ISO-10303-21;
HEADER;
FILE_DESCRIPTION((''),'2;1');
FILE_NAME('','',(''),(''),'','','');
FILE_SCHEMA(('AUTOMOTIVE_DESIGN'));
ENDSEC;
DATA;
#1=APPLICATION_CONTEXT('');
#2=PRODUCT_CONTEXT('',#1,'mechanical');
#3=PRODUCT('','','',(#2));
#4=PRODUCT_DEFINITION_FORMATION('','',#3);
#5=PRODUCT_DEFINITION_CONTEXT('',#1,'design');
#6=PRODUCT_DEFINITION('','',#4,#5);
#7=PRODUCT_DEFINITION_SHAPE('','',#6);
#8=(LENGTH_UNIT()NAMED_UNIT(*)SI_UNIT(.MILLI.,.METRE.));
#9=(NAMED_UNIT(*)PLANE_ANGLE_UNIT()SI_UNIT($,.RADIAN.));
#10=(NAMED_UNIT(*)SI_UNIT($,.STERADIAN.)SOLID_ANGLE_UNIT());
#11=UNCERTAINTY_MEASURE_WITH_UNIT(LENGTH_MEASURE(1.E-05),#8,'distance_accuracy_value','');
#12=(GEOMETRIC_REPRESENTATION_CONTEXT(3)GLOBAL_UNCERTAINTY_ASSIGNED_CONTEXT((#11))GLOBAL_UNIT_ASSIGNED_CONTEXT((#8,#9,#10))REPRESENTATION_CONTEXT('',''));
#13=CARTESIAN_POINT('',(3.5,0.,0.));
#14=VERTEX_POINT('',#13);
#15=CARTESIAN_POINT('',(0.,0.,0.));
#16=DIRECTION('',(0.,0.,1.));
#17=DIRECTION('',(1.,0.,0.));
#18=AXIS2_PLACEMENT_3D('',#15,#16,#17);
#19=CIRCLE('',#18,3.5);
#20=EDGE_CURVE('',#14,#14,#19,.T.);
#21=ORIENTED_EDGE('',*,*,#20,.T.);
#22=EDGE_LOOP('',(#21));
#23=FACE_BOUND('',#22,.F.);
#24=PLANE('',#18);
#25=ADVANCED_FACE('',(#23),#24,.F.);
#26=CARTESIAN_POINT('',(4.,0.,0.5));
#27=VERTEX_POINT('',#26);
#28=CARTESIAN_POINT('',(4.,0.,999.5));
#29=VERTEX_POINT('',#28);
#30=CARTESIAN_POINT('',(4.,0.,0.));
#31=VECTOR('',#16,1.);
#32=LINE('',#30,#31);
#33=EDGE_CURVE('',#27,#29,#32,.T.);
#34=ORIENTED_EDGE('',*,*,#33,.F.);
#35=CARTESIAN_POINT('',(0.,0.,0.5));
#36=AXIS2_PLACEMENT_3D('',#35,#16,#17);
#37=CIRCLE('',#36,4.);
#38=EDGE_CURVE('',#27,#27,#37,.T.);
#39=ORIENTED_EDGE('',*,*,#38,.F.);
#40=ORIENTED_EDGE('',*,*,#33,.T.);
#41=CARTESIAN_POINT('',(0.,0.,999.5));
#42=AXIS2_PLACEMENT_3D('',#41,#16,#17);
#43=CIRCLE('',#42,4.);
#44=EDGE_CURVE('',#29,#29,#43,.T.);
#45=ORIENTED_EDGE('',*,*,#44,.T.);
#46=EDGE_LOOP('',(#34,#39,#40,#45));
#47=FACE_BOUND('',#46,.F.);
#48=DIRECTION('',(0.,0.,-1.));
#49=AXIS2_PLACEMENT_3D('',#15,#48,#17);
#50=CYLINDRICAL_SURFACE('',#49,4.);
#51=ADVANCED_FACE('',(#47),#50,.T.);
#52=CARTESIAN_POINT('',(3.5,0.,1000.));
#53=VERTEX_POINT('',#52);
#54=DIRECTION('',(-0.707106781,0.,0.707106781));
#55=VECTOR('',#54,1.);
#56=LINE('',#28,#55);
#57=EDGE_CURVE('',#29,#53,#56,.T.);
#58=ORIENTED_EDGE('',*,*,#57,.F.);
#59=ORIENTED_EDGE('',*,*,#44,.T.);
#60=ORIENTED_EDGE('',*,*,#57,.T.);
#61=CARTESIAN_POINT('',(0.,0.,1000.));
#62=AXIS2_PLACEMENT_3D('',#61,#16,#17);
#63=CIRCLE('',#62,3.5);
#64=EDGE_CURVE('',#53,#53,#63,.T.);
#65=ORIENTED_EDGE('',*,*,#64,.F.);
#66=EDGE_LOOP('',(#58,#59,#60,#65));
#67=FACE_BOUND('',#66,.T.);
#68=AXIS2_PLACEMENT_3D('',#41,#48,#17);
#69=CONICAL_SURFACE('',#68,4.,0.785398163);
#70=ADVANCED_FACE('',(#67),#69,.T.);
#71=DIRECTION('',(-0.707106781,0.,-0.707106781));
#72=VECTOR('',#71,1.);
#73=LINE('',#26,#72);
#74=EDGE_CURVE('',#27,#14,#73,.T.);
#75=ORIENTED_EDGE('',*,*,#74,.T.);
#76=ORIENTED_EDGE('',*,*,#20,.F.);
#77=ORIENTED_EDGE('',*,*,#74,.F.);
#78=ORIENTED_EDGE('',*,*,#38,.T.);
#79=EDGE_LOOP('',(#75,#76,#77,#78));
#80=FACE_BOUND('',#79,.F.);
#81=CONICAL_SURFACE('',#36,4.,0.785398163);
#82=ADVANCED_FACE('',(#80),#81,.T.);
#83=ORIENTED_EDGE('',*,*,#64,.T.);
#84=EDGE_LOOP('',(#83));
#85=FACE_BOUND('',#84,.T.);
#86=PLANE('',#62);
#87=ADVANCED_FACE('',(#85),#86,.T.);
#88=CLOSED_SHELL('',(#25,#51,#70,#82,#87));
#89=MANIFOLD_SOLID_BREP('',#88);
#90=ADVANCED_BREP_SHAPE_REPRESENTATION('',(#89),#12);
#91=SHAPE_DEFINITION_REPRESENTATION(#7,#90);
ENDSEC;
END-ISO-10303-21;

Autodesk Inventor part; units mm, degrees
ref_plane "YZ Plane" through (0, 0, 0) normal (1, 0, 0) x (0, 1, 0)
ref_plane "XZ Plane" through (0, 0, 0) normal (0, 1, 0) x (-1, 0, 0)
ref_plane "XY Plane" through (0, 0, 0) normal (0, 0, 1) x (1, 0, 0)
sketch "Sketch1" plane through (0, 0, 0) normal (0, 0, 1) x (1, 0, 0)
  circle A0 centre (0, 0) radius 4
  dimension "d0" = 8
extrude "Extrusion1" add sketch "Sketch1" along normal blind 1000
chamfer "Chamfer1" distance 0.5 angle 45 2 edges at (-4, 0, 0) (-4, 0, 1000)
properties part number "SteelShaft_1000mm"
